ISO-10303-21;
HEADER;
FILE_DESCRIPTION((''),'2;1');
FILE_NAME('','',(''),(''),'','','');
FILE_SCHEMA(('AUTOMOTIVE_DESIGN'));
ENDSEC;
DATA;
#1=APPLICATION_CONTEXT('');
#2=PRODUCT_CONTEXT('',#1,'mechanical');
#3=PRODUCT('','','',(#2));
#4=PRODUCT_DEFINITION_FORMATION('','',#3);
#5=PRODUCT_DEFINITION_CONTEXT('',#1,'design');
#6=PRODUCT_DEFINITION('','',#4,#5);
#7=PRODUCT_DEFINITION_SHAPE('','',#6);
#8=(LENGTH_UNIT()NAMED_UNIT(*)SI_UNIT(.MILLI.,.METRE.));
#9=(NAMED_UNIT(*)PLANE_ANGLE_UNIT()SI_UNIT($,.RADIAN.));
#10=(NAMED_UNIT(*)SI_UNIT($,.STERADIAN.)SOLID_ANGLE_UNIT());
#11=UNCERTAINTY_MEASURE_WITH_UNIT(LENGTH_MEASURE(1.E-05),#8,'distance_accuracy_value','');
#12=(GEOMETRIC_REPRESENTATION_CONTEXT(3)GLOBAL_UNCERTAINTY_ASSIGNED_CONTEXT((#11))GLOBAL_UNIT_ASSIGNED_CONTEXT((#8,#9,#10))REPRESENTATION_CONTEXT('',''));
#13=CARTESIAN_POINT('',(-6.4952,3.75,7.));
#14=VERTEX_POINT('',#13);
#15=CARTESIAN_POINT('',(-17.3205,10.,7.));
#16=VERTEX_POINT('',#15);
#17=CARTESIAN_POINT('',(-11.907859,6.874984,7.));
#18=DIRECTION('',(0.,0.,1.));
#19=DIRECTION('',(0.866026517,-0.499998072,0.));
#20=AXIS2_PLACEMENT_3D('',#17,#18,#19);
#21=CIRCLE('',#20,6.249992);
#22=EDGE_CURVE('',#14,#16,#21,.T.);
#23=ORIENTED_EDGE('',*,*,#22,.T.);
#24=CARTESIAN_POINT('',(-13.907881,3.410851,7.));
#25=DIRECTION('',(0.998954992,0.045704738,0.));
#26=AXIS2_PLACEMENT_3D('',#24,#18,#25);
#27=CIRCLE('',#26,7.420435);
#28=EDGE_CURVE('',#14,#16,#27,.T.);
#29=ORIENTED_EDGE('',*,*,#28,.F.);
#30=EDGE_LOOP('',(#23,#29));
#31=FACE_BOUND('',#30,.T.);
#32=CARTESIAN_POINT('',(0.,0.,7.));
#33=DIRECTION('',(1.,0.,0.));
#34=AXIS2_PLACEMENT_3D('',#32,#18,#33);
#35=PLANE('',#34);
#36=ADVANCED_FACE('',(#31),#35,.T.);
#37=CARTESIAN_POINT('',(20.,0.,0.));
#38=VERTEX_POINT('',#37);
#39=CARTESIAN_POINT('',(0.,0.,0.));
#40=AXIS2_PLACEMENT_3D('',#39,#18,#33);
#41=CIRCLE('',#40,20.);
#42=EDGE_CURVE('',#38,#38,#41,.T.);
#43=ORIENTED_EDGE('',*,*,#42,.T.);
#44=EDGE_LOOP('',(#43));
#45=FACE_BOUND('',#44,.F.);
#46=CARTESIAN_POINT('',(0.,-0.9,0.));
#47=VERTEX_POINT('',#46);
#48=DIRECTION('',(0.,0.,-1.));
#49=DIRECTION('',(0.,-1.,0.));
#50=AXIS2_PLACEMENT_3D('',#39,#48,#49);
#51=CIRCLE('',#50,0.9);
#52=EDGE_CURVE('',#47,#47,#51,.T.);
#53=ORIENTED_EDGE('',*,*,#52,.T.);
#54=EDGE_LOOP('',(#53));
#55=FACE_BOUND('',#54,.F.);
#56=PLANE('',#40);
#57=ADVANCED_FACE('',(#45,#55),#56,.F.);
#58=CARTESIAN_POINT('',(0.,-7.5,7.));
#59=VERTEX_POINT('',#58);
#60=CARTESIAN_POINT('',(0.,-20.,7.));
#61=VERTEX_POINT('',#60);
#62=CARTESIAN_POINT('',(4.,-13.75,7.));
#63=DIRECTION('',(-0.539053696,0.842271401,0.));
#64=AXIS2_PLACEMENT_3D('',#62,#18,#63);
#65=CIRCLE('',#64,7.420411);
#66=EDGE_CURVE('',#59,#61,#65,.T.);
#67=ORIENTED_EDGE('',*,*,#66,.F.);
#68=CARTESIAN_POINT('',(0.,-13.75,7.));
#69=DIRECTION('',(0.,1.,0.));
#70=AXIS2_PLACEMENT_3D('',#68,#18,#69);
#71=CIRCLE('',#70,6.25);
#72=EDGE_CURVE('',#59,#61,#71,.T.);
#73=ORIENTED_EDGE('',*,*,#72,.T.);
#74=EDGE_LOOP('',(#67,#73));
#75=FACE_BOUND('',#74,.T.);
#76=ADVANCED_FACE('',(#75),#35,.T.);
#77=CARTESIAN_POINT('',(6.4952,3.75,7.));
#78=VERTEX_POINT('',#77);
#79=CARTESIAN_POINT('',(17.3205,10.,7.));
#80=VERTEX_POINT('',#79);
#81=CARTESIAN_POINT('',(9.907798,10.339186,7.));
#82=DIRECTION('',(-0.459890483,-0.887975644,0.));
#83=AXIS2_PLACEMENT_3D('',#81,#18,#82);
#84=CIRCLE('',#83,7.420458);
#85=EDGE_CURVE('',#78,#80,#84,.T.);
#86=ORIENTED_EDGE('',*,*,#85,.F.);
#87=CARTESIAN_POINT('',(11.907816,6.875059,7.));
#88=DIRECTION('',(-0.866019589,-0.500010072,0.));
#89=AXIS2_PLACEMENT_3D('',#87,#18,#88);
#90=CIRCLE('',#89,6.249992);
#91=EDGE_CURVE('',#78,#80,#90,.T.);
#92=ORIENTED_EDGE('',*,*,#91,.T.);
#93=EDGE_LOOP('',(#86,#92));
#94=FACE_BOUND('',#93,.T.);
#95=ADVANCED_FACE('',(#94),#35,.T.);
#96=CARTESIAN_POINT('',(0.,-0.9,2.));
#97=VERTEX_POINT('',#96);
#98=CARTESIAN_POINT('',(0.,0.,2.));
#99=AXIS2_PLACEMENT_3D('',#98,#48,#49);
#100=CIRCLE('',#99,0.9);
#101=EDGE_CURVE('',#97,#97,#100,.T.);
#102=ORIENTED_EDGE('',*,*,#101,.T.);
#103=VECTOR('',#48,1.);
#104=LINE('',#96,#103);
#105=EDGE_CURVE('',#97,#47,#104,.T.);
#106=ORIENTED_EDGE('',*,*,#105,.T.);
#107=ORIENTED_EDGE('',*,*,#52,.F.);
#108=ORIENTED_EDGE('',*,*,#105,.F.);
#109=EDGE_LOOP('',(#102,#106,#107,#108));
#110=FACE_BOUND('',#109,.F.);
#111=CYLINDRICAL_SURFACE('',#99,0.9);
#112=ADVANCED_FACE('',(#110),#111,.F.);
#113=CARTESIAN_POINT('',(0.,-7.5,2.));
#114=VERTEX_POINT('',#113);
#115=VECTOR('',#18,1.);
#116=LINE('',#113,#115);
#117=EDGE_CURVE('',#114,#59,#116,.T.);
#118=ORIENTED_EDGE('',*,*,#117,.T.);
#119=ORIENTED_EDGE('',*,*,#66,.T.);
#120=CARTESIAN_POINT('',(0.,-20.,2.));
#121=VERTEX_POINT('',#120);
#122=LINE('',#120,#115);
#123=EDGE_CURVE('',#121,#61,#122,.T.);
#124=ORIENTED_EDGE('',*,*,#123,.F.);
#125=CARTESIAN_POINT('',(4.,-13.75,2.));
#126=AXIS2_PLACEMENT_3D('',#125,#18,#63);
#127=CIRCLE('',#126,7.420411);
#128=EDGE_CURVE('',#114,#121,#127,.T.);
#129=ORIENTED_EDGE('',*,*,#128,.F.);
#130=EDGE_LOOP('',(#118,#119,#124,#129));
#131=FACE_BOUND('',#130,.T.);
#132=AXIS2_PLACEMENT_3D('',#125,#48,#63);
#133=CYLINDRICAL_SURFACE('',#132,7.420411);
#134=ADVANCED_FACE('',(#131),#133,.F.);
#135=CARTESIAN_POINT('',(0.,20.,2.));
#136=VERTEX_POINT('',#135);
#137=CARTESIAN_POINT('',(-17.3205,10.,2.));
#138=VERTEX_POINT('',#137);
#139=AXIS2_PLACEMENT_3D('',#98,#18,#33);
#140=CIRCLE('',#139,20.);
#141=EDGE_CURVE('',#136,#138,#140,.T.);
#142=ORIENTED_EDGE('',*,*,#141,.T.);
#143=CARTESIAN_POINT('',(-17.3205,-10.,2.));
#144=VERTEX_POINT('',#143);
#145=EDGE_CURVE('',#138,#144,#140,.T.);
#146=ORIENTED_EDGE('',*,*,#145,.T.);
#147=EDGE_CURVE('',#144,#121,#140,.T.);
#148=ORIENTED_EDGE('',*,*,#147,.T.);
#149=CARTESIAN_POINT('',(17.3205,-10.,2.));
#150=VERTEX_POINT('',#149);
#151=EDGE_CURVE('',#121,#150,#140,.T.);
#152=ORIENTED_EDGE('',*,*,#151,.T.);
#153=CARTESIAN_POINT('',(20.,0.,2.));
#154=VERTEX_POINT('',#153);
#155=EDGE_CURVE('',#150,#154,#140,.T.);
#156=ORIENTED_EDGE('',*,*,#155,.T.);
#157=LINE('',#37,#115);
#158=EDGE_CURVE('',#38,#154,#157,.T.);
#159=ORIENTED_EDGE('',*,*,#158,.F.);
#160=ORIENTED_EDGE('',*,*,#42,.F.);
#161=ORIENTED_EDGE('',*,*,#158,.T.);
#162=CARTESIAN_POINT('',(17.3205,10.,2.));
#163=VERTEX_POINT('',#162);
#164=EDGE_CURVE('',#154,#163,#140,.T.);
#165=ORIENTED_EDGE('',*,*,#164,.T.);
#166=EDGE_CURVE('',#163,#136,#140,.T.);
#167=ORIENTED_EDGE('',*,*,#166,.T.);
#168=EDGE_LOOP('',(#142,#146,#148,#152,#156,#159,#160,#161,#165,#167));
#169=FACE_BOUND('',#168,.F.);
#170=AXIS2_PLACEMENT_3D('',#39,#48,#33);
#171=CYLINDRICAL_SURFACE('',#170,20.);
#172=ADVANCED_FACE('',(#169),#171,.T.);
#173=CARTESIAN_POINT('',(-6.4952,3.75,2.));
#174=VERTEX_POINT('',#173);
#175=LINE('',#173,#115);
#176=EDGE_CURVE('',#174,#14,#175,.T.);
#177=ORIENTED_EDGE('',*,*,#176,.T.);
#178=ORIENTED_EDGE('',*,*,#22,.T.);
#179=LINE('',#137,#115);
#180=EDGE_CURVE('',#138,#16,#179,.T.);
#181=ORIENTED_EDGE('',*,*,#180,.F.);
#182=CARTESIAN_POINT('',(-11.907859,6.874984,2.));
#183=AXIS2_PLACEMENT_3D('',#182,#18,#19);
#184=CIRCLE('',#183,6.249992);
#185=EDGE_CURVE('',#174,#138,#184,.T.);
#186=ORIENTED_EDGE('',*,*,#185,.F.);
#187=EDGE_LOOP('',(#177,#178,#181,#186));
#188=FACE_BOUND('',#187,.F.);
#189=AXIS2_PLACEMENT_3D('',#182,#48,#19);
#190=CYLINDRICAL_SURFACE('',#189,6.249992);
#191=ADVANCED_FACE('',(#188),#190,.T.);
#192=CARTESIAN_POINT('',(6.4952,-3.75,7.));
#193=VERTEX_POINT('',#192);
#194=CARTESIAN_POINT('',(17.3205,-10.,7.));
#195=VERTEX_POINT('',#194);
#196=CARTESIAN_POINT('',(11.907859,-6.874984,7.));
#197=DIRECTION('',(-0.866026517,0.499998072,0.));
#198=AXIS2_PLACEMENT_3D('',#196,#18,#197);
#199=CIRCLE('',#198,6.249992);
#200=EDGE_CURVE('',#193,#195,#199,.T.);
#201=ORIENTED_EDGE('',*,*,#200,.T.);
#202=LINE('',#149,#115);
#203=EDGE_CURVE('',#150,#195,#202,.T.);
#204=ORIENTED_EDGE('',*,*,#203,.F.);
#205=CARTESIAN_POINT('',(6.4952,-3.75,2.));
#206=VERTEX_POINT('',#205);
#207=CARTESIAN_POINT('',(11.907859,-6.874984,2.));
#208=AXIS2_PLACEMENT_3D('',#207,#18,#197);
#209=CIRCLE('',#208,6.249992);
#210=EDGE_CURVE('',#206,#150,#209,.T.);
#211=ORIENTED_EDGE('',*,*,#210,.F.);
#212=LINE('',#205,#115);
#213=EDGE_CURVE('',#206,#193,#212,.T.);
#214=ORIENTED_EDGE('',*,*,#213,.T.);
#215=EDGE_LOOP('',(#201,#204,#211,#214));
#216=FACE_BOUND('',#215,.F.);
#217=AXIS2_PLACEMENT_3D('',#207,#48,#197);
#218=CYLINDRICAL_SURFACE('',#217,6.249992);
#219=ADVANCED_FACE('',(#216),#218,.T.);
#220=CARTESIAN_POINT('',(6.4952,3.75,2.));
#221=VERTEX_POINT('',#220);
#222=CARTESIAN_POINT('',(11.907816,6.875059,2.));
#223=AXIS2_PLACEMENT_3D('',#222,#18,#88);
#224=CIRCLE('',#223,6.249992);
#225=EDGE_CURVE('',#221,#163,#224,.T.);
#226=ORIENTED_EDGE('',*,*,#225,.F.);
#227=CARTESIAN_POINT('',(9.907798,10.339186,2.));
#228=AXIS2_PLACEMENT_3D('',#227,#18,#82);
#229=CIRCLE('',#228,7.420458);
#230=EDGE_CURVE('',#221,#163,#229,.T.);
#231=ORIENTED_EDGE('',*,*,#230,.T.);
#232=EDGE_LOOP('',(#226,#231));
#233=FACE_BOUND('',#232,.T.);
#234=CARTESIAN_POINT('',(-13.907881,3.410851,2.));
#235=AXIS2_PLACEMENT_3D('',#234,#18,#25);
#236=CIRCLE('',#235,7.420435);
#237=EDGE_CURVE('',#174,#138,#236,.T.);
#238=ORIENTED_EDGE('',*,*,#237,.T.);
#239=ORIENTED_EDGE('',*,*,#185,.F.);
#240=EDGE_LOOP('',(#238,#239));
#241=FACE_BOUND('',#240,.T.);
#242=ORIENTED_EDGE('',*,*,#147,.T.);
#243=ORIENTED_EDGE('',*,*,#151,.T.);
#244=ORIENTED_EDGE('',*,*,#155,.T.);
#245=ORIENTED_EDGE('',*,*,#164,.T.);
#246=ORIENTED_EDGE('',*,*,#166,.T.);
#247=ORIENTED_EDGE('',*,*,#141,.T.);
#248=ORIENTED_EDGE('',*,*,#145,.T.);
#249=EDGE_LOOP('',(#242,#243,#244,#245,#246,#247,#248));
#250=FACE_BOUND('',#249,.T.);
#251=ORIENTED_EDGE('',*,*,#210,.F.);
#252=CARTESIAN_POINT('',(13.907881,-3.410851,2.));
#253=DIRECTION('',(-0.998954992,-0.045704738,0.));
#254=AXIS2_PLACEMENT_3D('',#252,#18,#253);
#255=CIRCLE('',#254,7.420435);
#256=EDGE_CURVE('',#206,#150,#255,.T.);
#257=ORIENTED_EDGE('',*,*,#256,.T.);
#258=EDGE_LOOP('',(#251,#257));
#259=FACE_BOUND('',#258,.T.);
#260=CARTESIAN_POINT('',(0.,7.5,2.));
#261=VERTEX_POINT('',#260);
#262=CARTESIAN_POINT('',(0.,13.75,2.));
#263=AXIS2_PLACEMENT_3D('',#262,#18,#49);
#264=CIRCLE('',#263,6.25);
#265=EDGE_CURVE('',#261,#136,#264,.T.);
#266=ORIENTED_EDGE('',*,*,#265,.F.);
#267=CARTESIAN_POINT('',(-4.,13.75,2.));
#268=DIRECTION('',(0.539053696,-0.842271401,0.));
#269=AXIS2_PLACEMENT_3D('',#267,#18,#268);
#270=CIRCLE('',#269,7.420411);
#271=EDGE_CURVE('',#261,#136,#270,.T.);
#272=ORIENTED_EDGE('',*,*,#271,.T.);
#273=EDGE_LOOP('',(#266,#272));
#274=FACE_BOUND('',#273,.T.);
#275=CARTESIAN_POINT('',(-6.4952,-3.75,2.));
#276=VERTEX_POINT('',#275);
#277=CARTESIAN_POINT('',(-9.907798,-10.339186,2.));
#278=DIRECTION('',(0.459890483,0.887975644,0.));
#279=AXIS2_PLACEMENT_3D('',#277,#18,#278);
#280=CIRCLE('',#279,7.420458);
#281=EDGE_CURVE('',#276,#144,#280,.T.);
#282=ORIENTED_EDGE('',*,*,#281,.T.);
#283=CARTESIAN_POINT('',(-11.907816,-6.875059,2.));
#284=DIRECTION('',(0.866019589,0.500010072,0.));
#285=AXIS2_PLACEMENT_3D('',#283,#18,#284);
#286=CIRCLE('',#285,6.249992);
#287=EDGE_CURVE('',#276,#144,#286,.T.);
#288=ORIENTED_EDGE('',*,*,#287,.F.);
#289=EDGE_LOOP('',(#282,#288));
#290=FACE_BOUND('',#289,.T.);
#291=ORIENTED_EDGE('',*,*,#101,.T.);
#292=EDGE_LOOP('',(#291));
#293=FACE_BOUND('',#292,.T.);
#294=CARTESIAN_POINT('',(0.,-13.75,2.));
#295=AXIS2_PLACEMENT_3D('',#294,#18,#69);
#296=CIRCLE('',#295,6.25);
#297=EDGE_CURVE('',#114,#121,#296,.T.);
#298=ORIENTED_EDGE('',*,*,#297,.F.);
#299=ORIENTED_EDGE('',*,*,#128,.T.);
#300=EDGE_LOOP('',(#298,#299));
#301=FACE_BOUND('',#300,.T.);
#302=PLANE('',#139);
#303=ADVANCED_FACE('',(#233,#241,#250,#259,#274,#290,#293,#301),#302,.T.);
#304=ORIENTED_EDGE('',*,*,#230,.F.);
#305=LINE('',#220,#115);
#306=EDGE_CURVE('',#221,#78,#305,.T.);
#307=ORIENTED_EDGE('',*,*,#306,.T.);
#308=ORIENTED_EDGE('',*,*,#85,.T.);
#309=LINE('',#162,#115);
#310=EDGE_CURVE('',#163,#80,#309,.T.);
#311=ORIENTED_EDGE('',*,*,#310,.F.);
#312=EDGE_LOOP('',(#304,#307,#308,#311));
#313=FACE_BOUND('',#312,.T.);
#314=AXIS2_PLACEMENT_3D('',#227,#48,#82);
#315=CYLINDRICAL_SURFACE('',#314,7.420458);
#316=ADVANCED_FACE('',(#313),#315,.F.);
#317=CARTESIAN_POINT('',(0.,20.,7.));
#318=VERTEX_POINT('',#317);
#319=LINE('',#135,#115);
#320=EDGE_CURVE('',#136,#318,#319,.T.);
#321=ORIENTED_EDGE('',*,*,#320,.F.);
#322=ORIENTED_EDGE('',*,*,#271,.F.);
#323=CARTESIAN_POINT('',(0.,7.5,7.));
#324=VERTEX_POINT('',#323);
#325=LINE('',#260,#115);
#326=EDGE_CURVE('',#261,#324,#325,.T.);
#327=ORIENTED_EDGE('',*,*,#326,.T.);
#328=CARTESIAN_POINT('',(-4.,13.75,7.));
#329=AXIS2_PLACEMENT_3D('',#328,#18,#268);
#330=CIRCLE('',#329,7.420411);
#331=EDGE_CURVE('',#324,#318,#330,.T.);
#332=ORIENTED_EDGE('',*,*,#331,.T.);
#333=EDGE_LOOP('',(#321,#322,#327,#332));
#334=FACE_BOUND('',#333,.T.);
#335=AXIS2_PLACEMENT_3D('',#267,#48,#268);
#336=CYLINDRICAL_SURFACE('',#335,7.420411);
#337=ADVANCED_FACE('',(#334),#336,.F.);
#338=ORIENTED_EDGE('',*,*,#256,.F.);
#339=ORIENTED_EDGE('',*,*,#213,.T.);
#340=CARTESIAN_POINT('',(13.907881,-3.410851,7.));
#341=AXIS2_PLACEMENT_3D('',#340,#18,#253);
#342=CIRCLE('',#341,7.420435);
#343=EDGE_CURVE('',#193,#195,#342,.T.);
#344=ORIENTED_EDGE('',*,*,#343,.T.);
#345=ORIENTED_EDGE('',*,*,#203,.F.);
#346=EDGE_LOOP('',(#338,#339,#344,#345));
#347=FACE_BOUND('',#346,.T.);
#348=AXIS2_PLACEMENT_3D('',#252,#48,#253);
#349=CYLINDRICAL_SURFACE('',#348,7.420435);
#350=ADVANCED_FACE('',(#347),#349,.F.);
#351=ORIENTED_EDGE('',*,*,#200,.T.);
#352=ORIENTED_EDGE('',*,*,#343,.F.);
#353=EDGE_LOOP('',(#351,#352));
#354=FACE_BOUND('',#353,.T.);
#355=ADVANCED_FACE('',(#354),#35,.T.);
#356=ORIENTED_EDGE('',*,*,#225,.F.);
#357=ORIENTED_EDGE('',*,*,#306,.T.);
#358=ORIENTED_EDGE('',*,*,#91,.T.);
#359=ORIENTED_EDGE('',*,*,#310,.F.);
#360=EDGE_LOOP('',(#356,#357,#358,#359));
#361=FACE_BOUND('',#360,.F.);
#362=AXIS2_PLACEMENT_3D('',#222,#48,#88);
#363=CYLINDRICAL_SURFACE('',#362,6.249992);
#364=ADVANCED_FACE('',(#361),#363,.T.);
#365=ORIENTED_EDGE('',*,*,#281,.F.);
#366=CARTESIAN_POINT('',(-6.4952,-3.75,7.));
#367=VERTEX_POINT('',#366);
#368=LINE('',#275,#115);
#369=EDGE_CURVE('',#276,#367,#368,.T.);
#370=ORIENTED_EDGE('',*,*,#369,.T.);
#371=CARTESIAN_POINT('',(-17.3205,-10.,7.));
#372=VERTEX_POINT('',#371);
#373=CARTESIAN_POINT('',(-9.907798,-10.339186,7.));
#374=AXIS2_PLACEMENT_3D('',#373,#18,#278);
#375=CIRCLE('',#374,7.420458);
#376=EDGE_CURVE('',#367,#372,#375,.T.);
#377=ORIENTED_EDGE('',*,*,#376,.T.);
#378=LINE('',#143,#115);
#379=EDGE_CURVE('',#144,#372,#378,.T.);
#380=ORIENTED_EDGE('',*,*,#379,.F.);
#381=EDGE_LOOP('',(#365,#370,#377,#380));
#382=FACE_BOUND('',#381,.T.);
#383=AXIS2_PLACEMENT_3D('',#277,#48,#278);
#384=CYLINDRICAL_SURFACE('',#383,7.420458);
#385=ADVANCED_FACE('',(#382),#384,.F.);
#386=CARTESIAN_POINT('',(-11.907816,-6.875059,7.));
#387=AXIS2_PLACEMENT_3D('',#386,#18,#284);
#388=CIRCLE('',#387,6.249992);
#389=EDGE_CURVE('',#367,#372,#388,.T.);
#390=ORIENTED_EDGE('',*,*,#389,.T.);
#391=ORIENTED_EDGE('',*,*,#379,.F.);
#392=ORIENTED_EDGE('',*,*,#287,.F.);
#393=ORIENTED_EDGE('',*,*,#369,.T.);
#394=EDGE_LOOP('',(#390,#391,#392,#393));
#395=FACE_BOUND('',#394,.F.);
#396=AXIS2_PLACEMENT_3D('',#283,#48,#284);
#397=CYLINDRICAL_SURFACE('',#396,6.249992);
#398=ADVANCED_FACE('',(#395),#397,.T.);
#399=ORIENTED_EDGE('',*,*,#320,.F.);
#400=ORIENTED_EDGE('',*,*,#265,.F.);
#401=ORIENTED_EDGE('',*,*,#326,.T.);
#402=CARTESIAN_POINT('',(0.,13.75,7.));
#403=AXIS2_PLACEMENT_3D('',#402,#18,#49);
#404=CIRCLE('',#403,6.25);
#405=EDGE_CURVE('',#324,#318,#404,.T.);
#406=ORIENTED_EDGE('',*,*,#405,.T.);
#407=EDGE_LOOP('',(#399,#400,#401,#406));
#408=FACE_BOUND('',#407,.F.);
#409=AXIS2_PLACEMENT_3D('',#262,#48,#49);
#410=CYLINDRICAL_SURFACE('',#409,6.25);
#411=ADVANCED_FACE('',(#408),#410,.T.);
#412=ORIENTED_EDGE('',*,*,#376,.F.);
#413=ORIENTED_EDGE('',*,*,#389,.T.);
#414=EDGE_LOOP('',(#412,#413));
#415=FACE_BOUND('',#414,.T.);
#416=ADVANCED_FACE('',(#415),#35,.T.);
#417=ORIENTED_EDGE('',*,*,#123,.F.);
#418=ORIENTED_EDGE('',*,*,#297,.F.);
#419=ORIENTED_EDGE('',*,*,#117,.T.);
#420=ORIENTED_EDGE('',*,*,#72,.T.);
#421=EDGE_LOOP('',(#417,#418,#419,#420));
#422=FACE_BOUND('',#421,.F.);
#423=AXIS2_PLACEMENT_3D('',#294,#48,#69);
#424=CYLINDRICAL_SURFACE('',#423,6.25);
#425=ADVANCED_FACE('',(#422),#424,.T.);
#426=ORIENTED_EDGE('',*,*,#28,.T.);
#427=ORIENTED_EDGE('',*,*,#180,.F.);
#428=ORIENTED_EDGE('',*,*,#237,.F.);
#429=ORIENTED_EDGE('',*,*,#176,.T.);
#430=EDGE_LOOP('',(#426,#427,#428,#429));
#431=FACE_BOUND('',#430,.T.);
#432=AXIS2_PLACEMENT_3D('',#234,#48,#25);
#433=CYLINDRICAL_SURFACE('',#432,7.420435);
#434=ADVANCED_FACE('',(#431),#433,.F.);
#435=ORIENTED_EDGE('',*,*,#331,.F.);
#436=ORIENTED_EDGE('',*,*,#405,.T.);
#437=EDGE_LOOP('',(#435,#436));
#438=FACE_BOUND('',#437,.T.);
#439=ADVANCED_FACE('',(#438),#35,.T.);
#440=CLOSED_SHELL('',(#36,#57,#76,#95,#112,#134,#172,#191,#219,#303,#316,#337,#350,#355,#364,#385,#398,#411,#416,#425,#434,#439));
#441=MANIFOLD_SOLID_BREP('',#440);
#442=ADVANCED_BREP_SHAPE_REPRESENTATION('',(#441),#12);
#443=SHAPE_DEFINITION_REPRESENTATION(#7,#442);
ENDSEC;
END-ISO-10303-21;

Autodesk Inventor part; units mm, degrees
ref_plane "YZ Plane" through (0, 0, 0) normal (1, 0, 0) x (0, 1, 0)
ref_plane "XZ Plane" through (0, 0, 0) normal (0, 1, 0) x (-1, 0, 0)
ref_plane "XY Plane" through (0, 0, 0) normal (0, 0, 1) x (1, 0, 0)
sketch "スケッチ1" plane through (0, 0, 0) normal (0, 0, 1) x (1, 0, 0)
  circle A0 centre (0, 0) radius 20
  dimension "d0" = 40
extrude "押し出し1" add sketch "スケッチ1" along normal blind 2
sketch "スケッチ2" plane through (0, 0, 2) normal (0, 0, 1) x (1, 0, 0)
  circle A0 centre (0, 0) radius 7.5
  circle A1 centre (0, 0) radius 20 projected
  arc A2 (0, 7.5) -> (0, 20) centre (0, 13.75) ccw
  arc A3 (0, 7.5) -> (0, 20) centre (-4, 13.75) ccw
  arc A4 (-6.4952, 3.75) -> (-17.3205, 10) centre (-11.9078, 6.875) ccw
  arc A5 (-6.4952, 3.75) -> (-17.3205, 10) centre (-13.9078, 3.4109) ccw
  arc A6 (-6.4952, -3.75) -> (-17.3205, -10) centre (-11.9078, -6.875) ccw
  arc A7 (-6.4952, -3.75) -> (-17.3205, -10) centre (-9.9078, -10.3391) ccw
  arc A8 (0, -7.5) -> (0, -20) centre (0, -13.75) ccw
  arc A9 (0, -7.5) -> (0, -20) centre (4, -13.75) ccw
  arc A10 (6.4952, -3.75) -> (17.3205, -10) centre (11.9078, -6.875) ccw
  arc A11 (6.4952, -3.75) -> (17.3205, -10) centre (13.9078, -3.4109) ccw
  arc A12 (6.4952, 3.75) -> (17.3205, 10) centre (11.9078, 6.875) ccw
  arc A13 (6.4952, 3.75) -> (17.3205, 10) centre (9.9078, 10.3391) ccw
  dimension "d3" = 15
  dimension "d4" = 4
  dimension "d20" = 360
extrude "押し出し2" add sketch "スケッチ2" along normal blind 5 contours A13 A12 | A11 A10 | A3 A2 | A9 A8 | A5 A4 | A7 A6
sketch "スケッチ3" plane through (0, 0, 2) normal (0, 0, 1) x (1, 0, 0)
  point P0 (0, 0)
  point P1 (0, 0)
hole "穴1" at (0, 0, 2) direction (0, 0, -1) diameter 1.8 depth 8.8 tip angle 118
properties part number "20220618_ファン40mm羽数6枚5mm"
